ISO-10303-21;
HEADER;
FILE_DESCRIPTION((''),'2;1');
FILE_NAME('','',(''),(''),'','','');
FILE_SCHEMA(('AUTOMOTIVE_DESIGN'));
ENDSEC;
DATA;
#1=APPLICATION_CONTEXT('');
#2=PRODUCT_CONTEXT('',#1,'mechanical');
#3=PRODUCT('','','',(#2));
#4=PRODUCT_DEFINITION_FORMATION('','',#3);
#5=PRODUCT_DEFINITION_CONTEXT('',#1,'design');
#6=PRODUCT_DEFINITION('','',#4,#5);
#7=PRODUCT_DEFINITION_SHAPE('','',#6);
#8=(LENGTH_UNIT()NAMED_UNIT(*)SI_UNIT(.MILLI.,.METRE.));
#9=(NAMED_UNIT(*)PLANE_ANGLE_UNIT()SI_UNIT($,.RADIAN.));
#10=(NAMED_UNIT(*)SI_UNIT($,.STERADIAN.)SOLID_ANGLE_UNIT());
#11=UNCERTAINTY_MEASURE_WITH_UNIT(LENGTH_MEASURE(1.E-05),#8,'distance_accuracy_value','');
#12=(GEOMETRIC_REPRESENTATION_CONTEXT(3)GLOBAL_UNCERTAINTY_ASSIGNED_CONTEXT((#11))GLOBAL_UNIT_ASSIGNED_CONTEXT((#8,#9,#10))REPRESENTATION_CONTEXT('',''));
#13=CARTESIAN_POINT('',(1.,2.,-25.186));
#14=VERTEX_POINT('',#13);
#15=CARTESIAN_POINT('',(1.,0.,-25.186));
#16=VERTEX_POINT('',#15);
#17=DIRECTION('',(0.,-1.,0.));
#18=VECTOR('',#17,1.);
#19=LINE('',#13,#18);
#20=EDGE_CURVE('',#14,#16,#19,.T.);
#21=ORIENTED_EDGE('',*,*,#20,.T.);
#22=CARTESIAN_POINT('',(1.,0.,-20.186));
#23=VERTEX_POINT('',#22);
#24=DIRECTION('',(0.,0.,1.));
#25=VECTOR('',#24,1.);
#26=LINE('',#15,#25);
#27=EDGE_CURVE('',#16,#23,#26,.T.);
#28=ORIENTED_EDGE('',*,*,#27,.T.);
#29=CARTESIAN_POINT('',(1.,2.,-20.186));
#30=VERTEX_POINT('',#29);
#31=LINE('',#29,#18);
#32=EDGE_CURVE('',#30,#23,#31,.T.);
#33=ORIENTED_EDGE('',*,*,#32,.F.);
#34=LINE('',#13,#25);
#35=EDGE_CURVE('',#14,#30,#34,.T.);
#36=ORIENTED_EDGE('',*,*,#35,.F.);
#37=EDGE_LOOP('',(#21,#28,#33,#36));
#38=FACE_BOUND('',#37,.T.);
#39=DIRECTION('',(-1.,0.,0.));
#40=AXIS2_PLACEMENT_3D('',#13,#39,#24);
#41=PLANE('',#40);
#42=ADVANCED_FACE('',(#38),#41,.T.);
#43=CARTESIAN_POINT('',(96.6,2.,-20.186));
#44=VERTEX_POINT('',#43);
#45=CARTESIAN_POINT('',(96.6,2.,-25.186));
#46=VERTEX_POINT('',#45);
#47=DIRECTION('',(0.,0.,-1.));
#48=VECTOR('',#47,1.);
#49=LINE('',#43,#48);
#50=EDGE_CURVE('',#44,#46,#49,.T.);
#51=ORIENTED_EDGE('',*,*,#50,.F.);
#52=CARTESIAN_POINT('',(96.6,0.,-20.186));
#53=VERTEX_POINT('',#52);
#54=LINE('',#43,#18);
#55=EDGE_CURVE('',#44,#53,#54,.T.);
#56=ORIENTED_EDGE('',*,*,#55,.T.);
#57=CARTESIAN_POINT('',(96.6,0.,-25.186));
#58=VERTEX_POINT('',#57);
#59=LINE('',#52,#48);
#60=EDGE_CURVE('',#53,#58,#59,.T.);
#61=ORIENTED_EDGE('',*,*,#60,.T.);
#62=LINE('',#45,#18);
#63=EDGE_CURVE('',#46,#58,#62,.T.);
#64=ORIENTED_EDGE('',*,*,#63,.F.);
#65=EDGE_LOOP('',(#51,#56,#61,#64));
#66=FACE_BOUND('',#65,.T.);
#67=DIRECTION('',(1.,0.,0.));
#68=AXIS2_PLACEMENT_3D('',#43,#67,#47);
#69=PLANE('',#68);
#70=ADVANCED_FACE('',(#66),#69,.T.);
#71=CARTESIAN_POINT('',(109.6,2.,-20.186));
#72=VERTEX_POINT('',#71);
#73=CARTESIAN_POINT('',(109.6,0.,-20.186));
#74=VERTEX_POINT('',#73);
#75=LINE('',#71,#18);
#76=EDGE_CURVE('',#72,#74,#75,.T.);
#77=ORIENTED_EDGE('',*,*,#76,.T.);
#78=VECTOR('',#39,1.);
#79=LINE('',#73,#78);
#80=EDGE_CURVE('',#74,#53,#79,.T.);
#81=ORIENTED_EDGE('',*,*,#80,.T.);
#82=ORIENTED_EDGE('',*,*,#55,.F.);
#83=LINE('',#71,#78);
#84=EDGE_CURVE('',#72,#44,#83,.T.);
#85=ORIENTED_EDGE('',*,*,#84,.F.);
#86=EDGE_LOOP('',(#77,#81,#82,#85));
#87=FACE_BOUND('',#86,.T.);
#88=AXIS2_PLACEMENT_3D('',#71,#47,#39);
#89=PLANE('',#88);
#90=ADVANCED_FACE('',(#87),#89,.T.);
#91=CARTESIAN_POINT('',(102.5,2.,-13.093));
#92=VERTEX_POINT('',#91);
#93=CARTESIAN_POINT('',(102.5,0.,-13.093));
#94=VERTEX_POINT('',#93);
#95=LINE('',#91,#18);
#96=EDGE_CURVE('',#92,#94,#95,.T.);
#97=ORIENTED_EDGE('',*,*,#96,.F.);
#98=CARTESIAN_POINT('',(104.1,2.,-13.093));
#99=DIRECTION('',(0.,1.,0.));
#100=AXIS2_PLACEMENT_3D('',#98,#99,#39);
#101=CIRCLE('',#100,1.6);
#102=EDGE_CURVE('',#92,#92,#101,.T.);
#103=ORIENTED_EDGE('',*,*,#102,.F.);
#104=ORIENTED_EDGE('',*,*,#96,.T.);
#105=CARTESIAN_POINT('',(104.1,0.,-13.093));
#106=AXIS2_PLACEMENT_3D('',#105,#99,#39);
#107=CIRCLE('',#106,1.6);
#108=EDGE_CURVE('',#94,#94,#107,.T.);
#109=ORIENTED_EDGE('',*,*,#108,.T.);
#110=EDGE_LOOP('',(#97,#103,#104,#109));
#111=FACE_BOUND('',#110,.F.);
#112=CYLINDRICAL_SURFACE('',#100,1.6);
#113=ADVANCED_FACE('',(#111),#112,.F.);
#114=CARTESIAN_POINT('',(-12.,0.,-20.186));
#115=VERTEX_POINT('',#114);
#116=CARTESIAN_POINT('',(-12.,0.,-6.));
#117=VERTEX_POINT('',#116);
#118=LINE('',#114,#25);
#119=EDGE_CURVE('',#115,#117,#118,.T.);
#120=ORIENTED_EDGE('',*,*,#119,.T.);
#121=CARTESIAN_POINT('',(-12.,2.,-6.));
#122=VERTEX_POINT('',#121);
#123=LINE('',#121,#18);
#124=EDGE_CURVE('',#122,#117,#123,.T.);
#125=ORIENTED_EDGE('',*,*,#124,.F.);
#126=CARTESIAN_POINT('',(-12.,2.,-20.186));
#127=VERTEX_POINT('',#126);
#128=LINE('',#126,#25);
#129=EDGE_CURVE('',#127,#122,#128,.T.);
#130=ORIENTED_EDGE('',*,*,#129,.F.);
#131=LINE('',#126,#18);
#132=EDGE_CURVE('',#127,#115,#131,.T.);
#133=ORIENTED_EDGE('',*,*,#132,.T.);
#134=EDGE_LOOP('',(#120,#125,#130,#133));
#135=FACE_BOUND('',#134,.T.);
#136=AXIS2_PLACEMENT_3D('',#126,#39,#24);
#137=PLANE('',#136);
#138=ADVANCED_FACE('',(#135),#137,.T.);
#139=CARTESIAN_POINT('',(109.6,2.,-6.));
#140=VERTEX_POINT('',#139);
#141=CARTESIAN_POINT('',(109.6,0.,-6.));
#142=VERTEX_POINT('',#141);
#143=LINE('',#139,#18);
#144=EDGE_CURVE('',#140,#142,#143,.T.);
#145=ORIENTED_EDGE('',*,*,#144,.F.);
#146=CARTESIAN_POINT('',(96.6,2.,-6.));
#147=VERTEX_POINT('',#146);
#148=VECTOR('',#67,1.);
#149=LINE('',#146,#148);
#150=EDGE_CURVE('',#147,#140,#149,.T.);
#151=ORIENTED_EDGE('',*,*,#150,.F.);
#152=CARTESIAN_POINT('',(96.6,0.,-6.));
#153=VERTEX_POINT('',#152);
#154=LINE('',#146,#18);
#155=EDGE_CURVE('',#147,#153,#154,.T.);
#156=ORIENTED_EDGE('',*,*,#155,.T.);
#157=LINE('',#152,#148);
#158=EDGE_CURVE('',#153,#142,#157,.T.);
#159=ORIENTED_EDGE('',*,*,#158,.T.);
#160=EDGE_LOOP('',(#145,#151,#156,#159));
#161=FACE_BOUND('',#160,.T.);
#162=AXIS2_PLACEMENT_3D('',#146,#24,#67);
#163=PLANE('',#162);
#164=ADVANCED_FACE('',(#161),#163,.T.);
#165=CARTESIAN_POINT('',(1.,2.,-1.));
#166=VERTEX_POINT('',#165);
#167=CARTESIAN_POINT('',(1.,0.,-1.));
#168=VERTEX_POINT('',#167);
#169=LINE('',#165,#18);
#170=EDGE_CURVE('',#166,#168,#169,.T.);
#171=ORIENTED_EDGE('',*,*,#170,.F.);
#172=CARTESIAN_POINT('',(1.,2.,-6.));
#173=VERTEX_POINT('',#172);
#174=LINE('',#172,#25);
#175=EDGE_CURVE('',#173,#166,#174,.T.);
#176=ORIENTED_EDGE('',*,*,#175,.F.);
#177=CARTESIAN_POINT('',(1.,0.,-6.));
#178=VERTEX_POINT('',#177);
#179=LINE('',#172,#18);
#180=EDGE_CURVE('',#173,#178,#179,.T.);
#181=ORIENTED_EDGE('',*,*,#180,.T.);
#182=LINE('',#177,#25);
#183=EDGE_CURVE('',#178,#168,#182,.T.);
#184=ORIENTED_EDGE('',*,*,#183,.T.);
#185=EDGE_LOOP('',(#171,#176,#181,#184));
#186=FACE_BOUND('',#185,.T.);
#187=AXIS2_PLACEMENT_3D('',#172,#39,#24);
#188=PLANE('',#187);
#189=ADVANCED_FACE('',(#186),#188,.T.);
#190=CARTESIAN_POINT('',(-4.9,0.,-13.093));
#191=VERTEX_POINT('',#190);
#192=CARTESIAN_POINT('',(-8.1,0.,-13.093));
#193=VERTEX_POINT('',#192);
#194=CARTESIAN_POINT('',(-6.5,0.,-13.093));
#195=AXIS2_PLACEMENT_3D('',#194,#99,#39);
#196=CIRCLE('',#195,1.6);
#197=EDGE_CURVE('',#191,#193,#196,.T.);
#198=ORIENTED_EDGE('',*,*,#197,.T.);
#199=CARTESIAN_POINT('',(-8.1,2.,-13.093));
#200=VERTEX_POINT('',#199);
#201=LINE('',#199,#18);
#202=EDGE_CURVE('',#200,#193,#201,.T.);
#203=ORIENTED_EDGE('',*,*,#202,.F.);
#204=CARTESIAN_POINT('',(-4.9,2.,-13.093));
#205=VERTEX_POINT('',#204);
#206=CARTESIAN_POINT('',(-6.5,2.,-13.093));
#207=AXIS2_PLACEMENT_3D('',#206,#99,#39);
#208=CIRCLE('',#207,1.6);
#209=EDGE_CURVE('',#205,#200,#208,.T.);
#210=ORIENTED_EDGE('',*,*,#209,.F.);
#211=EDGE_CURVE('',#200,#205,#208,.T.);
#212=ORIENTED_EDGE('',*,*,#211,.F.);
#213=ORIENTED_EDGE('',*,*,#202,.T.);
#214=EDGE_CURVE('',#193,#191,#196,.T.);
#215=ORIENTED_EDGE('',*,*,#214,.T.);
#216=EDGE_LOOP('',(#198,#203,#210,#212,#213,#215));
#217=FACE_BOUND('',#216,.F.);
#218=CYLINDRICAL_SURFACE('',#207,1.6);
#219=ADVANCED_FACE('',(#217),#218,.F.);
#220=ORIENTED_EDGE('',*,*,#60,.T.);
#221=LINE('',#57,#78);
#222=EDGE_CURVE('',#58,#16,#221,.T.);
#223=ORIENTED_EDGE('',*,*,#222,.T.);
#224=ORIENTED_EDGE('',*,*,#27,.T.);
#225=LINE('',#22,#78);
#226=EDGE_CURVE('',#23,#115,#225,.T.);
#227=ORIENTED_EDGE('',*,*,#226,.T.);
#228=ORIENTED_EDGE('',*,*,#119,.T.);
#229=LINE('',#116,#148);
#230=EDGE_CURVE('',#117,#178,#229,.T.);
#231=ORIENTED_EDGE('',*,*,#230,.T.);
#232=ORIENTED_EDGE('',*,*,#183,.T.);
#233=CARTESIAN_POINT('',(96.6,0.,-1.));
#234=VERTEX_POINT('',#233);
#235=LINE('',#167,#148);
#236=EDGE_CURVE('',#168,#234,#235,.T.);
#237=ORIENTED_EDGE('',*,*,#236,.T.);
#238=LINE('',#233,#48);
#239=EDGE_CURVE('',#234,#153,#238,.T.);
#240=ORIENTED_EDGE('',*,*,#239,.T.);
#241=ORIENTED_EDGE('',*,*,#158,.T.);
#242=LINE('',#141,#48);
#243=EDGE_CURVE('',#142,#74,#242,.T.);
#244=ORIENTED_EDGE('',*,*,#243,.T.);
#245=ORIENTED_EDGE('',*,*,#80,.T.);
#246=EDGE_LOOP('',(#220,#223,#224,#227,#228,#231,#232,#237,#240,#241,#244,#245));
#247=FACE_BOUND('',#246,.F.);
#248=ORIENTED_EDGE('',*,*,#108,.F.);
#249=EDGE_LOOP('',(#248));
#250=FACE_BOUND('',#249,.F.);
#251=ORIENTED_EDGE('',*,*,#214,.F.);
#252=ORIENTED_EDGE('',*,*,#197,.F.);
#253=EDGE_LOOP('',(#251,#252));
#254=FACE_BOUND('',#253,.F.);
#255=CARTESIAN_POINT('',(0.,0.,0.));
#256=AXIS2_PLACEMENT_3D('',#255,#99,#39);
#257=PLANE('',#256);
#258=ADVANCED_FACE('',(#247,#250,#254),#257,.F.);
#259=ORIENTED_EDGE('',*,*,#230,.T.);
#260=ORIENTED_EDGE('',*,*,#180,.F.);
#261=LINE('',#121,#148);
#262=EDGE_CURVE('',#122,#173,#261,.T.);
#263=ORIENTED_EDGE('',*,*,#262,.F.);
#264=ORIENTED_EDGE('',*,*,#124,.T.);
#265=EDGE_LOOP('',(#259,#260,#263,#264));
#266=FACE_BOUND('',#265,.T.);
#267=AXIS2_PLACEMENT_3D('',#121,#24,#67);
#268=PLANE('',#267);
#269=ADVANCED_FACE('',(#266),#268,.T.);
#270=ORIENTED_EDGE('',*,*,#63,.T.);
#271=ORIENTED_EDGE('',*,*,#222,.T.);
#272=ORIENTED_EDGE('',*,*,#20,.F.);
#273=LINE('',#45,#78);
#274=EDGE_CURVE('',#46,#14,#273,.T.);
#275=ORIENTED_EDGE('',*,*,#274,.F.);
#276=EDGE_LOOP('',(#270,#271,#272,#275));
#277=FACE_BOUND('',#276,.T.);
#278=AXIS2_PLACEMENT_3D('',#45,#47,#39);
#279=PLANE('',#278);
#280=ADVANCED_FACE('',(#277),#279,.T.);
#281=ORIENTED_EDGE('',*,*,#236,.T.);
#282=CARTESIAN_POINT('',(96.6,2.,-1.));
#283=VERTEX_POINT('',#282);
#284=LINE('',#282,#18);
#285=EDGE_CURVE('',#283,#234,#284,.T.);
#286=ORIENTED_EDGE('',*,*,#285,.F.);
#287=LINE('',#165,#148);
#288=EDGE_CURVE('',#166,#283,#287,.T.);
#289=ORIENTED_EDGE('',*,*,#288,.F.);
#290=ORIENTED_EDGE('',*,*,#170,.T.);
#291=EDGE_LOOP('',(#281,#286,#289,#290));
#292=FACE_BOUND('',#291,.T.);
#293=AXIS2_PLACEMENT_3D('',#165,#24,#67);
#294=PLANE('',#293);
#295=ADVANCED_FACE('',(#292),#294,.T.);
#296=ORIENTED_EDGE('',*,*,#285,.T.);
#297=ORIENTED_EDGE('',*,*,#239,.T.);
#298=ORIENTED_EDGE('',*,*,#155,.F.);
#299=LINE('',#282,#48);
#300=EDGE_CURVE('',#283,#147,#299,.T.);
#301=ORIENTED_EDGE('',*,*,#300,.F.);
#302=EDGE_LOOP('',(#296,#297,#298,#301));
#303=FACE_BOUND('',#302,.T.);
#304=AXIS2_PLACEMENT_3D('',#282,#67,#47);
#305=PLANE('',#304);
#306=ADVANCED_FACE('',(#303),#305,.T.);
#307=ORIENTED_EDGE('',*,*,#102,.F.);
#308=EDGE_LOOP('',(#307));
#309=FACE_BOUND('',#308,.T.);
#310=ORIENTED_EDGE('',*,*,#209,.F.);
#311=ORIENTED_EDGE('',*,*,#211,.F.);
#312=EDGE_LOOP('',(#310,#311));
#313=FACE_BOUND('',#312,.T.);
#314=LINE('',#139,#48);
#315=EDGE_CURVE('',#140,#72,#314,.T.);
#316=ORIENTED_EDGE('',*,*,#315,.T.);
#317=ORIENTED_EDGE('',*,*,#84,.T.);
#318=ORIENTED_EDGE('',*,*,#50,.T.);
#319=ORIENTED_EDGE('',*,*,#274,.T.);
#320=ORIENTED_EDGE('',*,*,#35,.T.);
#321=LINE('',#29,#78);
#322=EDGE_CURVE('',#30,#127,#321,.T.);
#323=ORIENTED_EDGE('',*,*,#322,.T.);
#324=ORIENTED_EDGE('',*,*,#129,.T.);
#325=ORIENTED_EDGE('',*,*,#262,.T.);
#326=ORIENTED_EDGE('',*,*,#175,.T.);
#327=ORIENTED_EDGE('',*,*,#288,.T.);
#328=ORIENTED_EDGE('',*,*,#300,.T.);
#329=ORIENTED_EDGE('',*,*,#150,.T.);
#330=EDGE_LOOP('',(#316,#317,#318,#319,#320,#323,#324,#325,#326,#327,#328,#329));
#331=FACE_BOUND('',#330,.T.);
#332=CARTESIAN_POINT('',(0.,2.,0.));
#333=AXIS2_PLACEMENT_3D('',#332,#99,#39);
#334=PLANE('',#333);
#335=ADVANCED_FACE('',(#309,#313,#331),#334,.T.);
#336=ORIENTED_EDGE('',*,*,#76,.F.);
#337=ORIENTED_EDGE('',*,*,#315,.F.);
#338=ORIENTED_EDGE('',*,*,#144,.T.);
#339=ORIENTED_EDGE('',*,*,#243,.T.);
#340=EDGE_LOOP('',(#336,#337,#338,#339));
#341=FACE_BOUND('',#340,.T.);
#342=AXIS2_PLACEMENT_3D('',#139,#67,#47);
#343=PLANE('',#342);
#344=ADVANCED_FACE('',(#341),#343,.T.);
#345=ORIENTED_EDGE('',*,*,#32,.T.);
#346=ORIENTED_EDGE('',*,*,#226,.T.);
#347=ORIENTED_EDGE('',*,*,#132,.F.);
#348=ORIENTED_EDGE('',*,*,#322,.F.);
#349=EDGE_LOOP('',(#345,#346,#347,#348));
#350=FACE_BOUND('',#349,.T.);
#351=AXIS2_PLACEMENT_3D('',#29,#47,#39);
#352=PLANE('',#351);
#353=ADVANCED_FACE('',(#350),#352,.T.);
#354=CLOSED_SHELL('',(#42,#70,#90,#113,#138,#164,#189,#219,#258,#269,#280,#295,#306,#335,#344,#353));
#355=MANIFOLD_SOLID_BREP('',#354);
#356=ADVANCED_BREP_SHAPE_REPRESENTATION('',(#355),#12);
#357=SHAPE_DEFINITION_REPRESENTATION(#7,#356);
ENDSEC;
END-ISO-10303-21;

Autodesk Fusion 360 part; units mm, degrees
sketch "Boceto1" plane through (0, 0, 0) normal (0, 1, 0) x (1, 0, 0)
  line L0 (0, 0) -> (97.6, 0)
  line L1 (97.6, 0) -> (97.6, 26.186)
  line L2 (97.6, 26.186) -> (0, 26.186)
  line L3 (0, 26.186) -> (0, 0)
  dimension "d1" = 97.6
  dimension "d2" = 26.186
extrude "Extruir1" add sketch "Boceto1" along normal blind 2
sketch "Boceto2" plane through (0, 2, 0) normal (0, 1, 0) x (-1, 0, 0)
  line L0 (0, -26.186) -> (0, 0)
  line L1 (0, 0) -> (-97.6, 0)
  line L2 (-97.6, 0) -> (-97.6, -26.186)
  line L3 (-97.6, -26.186) -> (0, -26.186)
  line L4 (-97.6, -26.186) -> (-97.6, -13.093)
  line L5 (-97.6, -13.093) -> (-104.1, -13.093)
  circle A0 centre (-104.1, -13.093) radius 1.6
  line L6 (-97.6, -26.186) -> (-97.6, -21.186)
  line L7 (-97.6, -21.186) -> (-110.6, -21.186)
  line L8 (-110.6, -21.186) -> (-110.6, -5)
  line L9 (-110.6, -5) -> (-97.6, -5)
  line L10 (-97.6, -5) -> (-97.6, -21.186)
  dimension "d5" = 13.093
  dimension "d6" = 6.5
  dimension "d7" = 3.2
  dimension "d8" = 5
  dimension "d9" = 13
  dimension "d10" = 16.186
extrude "Extruir2" add sketch "Boceto2" against normal blind 2 contours L2 L4 L7 L8 L9 L10
sketch "Boceto3" plane through (0, 2, 0) normal (0, 1, 0) x (-1, 0, 0)
  circle A0 centre (-104.1, -13.093) radius 1.6
  line L0 (0, -26.186) -> (0, 0)
  line L1 (0, 0) -> (-97.6, 0)
  line L2 (-97.6, 0) -> (-97.6, -5)
  line L3 (-97.6, -5) -> (-110.6, -5)
  line L4 (-110.6, -5) -> (-110.6, -21.186)
  line L5 (-110.6, -21.186) -> (-97.6, -21.186)
  line L6 (-97.6, -21.186) -> (-97.6, -26.186)
  line L7 (-97.6, -26.186) -> (0, -26.186)
  line L8 (0, -26.186) -> (0, -21.186)
  line L9 (0, -21.186) -> (13, -21.186)
  line L10 (13, -21.186) -> (13, -5)
  line L11 (13, -5) -> (0, -5)
  line L12 (0, -5) -> (0, -21.186)
  line L13 (0, -26.186) -> (0, -13.093)
  line L14 (0, -13.093) -> (6.5, -13.093)
  circle A1 centre (6.5, -13.093) radius 1.6
  dimension "d13" = 5
  dimension "d14" = 13
  dimension "d15" = 16.186
  dimension "d16" = 13.093
  dimension "d17" = 6.5
  dimension "d18" = 3.2
extrude "Extruir3" add sketch "Boceto3" against normal blind 2 contours L0 L9 L10 L11 L12 L13
sketch "Boceto4" plane through (0, 2, 0) normal (0, 1, 0) x (-1, 0, 0)
  circle A0 centre (6.5, -13.093) radius 1.6
  circle A1 centre (-104.1, -13.093) radius 1.6
  line L0 (0, -26.186) -> (0, -21.186)
  line L1 (0, -21.186) -> (13, -21.186)
  line L2 (13, -21.186) -> (13, -5)
  line L3 (13, -5) -> (0, -5)
  line L4 (0, -5) -> (0, 0)
  line L5 (0, 0) -> (-97.6, 0)
  line L6 (-97.6, 0) -> (-97.6, -5)
  line L7 (-97.6, -5) -> (-110.6, -5)
  line L8 (-110.6, -5) -> (-110.6, -21.186)
  line L9 (-110.6, -21.186) -> (-97.6, -21.186)
  line L10 (-97.6, -21.186) -> (-97.6, -26.186)
  line L11 (-97.6, -26.186) -> (0, -26.186)
  line L12 (-96.6, -6) -> (-109.6, -6)
  line L13 (-109.6, -6) -> (-109.6, -20.186)
  line L14 (-109.6, -20.186) -> (-96.6, -20.186)
  line L15 (-96.6, -20.186) -> (-96.6, -25.186)
  line L16 (-96.6, -25.186) -> (-1, -25.186)
  line L17 (-1, -25.186) -> (-1, -20.186)
  line L18 (-1, -20.186) -> (12, -20.186)
  line L19 (12, -20.186) -> (12, -6)
  line L20 (12, -6) -> (-1, -6)
  line L21 (-1, -6) -> (-1, -1)
  line L22 (-1, -1) -> (-96.6, -1)
  line L23 (-96.6, -1) -> (-96.6, -6)
  dimension "d21" = -1
extrude "Extruir4" cut sketch "Boceto4" against normal blind 2 contours L0 L1 L2 L3 L4 L5 L6 L7 L8 L9 L10 L11
equation "d5 = 26.186 * 0.5 mm"
equation "d6 = ( 13 * 0.5 ) * 1 mm"
equation "d10 = 21.186 mm - 5 mm"
equation "d15 = 21.186 mm - 5 mm"
equation "d16 = 26.186 * 0.5 mm"
equation "d17 = 13.000 * 0.5 mm"
